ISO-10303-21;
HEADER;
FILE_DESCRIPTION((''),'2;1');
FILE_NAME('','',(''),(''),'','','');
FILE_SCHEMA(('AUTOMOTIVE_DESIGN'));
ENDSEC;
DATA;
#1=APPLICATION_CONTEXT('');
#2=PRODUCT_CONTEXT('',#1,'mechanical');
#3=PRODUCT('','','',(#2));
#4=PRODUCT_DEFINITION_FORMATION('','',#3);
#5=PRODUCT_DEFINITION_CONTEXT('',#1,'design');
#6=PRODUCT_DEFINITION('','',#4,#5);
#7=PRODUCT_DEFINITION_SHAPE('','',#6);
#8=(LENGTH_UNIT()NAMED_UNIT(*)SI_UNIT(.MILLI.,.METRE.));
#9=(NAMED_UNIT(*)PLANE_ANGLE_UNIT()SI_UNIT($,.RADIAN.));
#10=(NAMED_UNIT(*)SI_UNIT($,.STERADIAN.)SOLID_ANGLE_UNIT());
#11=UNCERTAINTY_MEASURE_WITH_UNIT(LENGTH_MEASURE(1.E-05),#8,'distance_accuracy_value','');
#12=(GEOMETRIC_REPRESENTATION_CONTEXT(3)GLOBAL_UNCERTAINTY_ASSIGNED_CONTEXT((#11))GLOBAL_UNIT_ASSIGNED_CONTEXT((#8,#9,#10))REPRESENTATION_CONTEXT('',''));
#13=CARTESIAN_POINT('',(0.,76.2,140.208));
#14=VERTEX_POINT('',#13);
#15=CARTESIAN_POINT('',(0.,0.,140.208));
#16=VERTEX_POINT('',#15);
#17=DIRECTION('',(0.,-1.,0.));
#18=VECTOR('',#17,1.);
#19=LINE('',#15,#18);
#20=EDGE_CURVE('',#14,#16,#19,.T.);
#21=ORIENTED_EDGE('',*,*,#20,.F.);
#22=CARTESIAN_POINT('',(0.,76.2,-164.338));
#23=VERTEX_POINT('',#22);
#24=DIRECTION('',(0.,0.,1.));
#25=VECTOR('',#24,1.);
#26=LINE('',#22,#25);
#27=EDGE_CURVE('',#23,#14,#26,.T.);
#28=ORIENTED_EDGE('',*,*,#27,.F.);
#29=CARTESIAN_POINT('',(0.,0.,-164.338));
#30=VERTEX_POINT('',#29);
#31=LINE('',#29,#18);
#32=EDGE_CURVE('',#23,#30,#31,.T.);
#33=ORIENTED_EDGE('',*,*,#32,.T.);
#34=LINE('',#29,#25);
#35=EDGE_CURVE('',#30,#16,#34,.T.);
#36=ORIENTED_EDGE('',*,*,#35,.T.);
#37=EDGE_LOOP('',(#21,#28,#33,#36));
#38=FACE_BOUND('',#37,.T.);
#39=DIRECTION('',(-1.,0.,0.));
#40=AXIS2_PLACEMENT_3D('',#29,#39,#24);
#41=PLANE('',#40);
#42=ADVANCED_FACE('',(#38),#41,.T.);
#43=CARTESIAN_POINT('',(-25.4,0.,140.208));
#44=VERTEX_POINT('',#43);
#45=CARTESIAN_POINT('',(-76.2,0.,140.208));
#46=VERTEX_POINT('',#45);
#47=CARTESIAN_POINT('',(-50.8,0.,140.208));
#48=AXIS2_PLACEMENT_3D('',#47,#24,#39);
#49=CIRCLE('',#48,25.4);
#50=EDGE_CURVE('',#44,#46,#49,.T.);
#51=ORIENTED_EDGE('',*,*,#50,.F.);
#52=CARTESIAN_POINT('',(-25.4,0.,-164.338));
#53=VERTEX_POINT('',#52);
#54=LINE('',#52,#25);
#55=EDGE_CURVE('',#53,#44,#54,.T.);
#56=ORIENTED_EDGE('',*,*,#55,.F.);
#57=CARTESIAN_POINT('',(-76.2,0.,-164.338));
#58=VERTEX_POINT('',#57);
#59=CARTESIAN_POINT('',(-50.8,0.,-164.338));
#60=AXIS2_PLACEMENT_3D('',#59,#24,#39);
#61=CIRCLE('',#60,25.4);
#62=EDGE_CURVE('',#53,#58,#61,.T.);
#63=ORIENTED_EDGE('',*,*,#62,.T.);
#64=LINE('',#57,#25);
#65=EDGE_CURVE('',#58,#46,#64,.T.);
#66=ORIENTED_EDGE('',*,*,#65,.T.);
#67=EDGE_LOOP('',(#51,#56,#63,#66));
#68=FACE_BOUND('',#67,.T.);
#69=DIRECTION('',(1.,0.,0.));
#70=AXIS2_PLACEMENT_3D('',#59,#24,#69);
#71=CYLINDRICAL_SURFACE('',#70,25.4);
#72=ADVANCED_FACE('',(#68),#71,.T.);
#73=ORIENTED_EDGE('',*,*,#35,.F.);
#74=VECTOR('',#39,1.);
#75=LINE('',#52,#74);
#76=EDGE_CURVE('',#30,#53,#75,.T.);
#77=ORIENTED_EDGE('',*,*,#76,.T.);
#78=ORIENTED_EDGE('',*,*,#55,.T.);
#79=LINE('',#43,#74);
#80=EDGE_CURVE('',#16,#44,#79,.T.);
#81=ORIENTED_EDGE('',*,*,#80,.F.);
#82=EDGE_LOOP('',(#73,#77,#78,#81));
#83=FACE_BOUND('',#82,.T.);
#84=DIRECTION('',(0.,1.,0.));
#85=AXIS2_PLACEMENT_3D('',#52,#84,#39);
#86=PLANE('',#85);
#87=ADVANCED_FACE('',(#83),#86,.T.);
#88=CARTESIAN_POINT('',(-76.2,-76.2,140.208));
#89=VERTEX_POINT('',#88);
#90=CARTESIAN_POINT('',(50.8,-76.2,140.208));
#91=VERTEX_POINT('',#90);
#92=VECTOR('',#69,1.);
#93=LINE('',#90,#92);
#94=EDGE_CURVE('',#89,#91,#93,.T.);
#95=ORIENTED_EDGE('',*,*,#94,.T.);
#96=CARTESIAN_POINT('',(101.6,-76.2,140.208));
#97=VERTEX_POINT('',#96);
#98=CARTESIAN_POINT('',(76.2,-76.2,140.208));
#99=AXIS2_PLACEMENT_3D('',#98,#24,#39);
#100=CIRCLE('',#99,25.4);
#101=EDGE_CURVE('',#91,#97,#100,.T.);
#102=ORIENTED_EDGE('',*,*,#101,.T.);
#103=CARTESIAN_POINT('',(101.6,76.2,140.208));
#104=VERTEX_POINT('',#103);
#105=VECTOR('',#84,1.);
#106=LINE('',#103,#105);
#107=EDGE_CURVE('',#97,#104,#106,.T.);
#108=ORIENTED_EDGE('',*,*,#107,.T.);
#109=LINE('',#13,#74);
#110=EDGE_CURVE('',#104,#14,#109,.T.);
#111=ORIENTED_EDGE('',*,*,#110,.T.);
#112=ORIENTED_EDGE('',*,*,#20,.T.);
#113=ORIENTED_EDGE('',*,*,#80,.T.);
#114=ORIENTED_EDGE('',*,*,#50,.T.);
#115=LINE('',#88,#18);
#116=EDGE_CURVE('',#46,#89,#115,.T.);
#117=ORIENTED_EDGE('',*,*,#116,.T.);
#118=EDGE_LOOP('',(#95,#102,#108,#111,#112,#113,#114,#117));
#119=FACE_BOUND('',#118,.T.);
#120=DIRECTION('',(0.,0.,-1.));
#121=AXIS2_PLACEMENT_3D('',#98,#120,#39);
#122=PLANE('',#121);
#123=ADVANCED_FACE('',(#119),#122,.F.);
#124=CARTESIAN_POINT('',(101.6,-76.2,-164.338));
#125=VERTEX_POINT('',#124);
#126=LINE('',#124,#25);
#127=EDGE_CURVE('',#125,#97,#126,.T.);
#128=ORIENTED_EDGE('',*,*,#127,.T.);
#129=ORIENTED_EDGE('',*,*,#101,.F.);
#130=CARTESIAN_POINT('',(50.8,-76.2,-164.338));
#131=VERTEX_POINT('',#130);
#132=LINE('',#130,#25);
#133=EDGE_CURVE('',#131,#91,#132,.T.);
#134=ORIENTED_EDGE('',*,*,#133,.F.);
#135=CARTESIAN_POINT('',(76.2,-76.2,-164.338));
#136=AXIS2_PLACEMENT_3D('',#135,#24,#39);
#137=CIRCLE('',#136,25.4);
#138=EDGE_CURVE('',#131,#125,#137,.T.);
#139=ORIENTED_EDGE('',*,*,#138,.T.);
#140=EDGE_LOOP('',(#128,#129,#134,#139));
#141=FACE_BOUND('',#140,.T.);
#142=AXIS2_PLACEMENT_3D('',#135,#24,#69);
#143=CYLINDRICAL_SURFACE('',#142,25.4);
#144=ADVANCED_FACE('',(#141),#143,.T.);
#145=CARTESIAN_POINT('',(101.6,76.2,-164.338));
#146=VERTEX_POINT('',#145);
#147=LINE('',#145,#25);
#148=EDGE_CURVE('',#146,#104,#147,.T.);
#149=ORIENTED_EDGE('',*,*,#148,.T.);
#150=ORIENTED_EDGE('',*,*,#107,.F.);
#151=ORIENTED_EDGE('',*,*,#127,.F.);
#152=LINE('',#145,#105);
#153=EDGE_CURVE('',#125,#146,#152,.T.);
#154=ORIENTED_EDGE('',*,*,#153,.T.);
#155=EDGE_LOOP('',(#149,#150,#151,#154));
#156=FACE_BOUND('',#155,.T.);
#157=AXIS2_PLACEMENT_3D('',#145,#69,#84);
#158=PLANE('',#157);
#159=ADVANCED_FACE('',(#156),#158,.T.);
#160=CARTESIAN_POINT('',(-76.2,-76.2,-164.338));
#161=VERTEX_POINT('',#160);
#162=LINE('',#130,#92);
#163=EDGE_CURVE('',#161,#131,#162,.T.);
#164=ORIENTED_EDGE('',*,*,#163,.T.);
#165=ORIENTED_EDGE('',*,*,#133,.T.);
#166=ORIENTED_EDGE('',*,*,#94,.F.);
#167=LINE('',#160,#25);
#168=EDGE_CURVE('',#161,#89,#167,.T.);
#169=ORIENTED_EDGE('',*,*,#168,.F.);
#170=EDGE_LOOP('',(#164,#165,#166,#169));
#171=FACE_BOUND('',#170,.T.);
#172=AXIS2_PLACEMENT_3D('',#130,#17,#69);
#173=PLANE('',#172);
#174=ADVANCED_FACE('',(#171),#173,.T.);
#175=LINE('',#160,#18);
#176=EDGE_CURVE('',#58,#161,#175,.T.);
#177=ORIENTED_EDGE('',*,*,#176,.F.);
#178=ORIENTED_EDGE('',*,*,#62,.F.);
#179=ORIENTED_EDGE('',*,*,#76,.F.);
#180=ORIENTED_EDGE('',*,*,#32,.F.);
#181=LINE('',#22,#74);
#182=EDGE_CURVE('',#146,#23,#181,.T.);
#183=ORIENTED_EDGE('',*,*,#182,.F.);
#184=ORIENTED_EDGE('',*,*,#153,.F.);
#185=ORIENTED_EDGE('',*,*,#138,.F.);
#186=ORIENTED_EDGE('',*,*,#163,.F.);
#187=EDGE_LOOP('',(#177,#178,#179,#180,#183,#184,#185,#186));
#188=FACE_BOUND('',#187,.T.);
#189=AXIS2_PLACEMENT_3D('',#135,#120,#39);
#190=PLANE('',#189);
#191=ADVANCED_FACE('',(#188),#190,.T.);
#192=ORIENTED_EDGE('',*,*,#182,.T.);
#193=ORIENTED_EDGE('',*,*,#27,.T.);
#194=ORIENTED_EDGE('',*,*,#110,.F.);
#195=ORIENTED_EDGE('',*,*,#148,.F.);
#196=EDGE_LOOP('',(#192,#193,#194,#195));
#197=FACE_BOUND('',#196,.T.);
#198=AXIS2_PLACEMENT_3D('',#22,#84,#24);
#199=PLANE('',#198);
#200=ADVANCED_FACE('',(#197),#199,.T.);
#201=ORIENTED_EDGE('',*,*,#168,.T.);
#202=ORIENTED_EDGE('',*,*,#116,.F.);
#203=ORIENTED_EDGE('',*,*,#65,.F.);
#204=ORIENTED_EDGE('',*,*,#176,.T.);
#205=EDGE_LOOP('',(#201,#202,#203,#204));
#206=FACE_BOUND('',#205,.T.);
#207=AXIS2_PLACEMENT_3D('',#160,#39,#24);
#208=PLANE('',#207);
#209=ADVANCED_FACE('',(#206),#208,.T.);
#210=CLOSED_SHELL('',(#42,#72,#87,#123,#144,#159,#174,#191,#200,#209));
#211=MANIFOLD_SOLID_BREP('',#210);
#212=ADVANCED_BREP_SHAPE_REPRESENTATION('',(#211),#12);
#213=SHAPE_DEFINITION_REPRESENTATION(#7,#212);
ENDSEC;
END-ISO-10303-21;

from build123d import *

# Parameters (mm, degrees)
BOSS_EXTRUDE1_DEPTH      = 140.208
BOSS_EXTRUDE1_DEPTH_BACK = 164.338


with BuildPart() as part:
    # First Part → Boss-Extrude1 (new, two sides: drawn at the far end of the back side and taken through both)
    with BuildSketch(Plane.XY.offset(-BOSS_EXTRUDE1_DEPTH_BACK)):
        with BuildLine():
            Line((0, 0), (0, 76.2))
            Line((0, 76.2), (101.6, 76.2))
            Line((101.6, 76.2), (101.6, -76.2))
            ThreePointArc((101.6, -76.2), (76.2, -101.6), (50.8, -76.2))
            Line((50.8, -76.2), (-76.2, -76.2))
            Line((-76.2, -76.2), (-76.2, 0))
            ThreePointArc((-76.2, 0), (-50.8, 25.4), (-25.4, 0))
            Line((-25.4, 0), (0, 0))
        make_face()
    extrude(amount=BOSS_EXTRUDE1_DEPTH + BOSS_EXTRUDE1_DEPTH_BACK)


solid = part.part
